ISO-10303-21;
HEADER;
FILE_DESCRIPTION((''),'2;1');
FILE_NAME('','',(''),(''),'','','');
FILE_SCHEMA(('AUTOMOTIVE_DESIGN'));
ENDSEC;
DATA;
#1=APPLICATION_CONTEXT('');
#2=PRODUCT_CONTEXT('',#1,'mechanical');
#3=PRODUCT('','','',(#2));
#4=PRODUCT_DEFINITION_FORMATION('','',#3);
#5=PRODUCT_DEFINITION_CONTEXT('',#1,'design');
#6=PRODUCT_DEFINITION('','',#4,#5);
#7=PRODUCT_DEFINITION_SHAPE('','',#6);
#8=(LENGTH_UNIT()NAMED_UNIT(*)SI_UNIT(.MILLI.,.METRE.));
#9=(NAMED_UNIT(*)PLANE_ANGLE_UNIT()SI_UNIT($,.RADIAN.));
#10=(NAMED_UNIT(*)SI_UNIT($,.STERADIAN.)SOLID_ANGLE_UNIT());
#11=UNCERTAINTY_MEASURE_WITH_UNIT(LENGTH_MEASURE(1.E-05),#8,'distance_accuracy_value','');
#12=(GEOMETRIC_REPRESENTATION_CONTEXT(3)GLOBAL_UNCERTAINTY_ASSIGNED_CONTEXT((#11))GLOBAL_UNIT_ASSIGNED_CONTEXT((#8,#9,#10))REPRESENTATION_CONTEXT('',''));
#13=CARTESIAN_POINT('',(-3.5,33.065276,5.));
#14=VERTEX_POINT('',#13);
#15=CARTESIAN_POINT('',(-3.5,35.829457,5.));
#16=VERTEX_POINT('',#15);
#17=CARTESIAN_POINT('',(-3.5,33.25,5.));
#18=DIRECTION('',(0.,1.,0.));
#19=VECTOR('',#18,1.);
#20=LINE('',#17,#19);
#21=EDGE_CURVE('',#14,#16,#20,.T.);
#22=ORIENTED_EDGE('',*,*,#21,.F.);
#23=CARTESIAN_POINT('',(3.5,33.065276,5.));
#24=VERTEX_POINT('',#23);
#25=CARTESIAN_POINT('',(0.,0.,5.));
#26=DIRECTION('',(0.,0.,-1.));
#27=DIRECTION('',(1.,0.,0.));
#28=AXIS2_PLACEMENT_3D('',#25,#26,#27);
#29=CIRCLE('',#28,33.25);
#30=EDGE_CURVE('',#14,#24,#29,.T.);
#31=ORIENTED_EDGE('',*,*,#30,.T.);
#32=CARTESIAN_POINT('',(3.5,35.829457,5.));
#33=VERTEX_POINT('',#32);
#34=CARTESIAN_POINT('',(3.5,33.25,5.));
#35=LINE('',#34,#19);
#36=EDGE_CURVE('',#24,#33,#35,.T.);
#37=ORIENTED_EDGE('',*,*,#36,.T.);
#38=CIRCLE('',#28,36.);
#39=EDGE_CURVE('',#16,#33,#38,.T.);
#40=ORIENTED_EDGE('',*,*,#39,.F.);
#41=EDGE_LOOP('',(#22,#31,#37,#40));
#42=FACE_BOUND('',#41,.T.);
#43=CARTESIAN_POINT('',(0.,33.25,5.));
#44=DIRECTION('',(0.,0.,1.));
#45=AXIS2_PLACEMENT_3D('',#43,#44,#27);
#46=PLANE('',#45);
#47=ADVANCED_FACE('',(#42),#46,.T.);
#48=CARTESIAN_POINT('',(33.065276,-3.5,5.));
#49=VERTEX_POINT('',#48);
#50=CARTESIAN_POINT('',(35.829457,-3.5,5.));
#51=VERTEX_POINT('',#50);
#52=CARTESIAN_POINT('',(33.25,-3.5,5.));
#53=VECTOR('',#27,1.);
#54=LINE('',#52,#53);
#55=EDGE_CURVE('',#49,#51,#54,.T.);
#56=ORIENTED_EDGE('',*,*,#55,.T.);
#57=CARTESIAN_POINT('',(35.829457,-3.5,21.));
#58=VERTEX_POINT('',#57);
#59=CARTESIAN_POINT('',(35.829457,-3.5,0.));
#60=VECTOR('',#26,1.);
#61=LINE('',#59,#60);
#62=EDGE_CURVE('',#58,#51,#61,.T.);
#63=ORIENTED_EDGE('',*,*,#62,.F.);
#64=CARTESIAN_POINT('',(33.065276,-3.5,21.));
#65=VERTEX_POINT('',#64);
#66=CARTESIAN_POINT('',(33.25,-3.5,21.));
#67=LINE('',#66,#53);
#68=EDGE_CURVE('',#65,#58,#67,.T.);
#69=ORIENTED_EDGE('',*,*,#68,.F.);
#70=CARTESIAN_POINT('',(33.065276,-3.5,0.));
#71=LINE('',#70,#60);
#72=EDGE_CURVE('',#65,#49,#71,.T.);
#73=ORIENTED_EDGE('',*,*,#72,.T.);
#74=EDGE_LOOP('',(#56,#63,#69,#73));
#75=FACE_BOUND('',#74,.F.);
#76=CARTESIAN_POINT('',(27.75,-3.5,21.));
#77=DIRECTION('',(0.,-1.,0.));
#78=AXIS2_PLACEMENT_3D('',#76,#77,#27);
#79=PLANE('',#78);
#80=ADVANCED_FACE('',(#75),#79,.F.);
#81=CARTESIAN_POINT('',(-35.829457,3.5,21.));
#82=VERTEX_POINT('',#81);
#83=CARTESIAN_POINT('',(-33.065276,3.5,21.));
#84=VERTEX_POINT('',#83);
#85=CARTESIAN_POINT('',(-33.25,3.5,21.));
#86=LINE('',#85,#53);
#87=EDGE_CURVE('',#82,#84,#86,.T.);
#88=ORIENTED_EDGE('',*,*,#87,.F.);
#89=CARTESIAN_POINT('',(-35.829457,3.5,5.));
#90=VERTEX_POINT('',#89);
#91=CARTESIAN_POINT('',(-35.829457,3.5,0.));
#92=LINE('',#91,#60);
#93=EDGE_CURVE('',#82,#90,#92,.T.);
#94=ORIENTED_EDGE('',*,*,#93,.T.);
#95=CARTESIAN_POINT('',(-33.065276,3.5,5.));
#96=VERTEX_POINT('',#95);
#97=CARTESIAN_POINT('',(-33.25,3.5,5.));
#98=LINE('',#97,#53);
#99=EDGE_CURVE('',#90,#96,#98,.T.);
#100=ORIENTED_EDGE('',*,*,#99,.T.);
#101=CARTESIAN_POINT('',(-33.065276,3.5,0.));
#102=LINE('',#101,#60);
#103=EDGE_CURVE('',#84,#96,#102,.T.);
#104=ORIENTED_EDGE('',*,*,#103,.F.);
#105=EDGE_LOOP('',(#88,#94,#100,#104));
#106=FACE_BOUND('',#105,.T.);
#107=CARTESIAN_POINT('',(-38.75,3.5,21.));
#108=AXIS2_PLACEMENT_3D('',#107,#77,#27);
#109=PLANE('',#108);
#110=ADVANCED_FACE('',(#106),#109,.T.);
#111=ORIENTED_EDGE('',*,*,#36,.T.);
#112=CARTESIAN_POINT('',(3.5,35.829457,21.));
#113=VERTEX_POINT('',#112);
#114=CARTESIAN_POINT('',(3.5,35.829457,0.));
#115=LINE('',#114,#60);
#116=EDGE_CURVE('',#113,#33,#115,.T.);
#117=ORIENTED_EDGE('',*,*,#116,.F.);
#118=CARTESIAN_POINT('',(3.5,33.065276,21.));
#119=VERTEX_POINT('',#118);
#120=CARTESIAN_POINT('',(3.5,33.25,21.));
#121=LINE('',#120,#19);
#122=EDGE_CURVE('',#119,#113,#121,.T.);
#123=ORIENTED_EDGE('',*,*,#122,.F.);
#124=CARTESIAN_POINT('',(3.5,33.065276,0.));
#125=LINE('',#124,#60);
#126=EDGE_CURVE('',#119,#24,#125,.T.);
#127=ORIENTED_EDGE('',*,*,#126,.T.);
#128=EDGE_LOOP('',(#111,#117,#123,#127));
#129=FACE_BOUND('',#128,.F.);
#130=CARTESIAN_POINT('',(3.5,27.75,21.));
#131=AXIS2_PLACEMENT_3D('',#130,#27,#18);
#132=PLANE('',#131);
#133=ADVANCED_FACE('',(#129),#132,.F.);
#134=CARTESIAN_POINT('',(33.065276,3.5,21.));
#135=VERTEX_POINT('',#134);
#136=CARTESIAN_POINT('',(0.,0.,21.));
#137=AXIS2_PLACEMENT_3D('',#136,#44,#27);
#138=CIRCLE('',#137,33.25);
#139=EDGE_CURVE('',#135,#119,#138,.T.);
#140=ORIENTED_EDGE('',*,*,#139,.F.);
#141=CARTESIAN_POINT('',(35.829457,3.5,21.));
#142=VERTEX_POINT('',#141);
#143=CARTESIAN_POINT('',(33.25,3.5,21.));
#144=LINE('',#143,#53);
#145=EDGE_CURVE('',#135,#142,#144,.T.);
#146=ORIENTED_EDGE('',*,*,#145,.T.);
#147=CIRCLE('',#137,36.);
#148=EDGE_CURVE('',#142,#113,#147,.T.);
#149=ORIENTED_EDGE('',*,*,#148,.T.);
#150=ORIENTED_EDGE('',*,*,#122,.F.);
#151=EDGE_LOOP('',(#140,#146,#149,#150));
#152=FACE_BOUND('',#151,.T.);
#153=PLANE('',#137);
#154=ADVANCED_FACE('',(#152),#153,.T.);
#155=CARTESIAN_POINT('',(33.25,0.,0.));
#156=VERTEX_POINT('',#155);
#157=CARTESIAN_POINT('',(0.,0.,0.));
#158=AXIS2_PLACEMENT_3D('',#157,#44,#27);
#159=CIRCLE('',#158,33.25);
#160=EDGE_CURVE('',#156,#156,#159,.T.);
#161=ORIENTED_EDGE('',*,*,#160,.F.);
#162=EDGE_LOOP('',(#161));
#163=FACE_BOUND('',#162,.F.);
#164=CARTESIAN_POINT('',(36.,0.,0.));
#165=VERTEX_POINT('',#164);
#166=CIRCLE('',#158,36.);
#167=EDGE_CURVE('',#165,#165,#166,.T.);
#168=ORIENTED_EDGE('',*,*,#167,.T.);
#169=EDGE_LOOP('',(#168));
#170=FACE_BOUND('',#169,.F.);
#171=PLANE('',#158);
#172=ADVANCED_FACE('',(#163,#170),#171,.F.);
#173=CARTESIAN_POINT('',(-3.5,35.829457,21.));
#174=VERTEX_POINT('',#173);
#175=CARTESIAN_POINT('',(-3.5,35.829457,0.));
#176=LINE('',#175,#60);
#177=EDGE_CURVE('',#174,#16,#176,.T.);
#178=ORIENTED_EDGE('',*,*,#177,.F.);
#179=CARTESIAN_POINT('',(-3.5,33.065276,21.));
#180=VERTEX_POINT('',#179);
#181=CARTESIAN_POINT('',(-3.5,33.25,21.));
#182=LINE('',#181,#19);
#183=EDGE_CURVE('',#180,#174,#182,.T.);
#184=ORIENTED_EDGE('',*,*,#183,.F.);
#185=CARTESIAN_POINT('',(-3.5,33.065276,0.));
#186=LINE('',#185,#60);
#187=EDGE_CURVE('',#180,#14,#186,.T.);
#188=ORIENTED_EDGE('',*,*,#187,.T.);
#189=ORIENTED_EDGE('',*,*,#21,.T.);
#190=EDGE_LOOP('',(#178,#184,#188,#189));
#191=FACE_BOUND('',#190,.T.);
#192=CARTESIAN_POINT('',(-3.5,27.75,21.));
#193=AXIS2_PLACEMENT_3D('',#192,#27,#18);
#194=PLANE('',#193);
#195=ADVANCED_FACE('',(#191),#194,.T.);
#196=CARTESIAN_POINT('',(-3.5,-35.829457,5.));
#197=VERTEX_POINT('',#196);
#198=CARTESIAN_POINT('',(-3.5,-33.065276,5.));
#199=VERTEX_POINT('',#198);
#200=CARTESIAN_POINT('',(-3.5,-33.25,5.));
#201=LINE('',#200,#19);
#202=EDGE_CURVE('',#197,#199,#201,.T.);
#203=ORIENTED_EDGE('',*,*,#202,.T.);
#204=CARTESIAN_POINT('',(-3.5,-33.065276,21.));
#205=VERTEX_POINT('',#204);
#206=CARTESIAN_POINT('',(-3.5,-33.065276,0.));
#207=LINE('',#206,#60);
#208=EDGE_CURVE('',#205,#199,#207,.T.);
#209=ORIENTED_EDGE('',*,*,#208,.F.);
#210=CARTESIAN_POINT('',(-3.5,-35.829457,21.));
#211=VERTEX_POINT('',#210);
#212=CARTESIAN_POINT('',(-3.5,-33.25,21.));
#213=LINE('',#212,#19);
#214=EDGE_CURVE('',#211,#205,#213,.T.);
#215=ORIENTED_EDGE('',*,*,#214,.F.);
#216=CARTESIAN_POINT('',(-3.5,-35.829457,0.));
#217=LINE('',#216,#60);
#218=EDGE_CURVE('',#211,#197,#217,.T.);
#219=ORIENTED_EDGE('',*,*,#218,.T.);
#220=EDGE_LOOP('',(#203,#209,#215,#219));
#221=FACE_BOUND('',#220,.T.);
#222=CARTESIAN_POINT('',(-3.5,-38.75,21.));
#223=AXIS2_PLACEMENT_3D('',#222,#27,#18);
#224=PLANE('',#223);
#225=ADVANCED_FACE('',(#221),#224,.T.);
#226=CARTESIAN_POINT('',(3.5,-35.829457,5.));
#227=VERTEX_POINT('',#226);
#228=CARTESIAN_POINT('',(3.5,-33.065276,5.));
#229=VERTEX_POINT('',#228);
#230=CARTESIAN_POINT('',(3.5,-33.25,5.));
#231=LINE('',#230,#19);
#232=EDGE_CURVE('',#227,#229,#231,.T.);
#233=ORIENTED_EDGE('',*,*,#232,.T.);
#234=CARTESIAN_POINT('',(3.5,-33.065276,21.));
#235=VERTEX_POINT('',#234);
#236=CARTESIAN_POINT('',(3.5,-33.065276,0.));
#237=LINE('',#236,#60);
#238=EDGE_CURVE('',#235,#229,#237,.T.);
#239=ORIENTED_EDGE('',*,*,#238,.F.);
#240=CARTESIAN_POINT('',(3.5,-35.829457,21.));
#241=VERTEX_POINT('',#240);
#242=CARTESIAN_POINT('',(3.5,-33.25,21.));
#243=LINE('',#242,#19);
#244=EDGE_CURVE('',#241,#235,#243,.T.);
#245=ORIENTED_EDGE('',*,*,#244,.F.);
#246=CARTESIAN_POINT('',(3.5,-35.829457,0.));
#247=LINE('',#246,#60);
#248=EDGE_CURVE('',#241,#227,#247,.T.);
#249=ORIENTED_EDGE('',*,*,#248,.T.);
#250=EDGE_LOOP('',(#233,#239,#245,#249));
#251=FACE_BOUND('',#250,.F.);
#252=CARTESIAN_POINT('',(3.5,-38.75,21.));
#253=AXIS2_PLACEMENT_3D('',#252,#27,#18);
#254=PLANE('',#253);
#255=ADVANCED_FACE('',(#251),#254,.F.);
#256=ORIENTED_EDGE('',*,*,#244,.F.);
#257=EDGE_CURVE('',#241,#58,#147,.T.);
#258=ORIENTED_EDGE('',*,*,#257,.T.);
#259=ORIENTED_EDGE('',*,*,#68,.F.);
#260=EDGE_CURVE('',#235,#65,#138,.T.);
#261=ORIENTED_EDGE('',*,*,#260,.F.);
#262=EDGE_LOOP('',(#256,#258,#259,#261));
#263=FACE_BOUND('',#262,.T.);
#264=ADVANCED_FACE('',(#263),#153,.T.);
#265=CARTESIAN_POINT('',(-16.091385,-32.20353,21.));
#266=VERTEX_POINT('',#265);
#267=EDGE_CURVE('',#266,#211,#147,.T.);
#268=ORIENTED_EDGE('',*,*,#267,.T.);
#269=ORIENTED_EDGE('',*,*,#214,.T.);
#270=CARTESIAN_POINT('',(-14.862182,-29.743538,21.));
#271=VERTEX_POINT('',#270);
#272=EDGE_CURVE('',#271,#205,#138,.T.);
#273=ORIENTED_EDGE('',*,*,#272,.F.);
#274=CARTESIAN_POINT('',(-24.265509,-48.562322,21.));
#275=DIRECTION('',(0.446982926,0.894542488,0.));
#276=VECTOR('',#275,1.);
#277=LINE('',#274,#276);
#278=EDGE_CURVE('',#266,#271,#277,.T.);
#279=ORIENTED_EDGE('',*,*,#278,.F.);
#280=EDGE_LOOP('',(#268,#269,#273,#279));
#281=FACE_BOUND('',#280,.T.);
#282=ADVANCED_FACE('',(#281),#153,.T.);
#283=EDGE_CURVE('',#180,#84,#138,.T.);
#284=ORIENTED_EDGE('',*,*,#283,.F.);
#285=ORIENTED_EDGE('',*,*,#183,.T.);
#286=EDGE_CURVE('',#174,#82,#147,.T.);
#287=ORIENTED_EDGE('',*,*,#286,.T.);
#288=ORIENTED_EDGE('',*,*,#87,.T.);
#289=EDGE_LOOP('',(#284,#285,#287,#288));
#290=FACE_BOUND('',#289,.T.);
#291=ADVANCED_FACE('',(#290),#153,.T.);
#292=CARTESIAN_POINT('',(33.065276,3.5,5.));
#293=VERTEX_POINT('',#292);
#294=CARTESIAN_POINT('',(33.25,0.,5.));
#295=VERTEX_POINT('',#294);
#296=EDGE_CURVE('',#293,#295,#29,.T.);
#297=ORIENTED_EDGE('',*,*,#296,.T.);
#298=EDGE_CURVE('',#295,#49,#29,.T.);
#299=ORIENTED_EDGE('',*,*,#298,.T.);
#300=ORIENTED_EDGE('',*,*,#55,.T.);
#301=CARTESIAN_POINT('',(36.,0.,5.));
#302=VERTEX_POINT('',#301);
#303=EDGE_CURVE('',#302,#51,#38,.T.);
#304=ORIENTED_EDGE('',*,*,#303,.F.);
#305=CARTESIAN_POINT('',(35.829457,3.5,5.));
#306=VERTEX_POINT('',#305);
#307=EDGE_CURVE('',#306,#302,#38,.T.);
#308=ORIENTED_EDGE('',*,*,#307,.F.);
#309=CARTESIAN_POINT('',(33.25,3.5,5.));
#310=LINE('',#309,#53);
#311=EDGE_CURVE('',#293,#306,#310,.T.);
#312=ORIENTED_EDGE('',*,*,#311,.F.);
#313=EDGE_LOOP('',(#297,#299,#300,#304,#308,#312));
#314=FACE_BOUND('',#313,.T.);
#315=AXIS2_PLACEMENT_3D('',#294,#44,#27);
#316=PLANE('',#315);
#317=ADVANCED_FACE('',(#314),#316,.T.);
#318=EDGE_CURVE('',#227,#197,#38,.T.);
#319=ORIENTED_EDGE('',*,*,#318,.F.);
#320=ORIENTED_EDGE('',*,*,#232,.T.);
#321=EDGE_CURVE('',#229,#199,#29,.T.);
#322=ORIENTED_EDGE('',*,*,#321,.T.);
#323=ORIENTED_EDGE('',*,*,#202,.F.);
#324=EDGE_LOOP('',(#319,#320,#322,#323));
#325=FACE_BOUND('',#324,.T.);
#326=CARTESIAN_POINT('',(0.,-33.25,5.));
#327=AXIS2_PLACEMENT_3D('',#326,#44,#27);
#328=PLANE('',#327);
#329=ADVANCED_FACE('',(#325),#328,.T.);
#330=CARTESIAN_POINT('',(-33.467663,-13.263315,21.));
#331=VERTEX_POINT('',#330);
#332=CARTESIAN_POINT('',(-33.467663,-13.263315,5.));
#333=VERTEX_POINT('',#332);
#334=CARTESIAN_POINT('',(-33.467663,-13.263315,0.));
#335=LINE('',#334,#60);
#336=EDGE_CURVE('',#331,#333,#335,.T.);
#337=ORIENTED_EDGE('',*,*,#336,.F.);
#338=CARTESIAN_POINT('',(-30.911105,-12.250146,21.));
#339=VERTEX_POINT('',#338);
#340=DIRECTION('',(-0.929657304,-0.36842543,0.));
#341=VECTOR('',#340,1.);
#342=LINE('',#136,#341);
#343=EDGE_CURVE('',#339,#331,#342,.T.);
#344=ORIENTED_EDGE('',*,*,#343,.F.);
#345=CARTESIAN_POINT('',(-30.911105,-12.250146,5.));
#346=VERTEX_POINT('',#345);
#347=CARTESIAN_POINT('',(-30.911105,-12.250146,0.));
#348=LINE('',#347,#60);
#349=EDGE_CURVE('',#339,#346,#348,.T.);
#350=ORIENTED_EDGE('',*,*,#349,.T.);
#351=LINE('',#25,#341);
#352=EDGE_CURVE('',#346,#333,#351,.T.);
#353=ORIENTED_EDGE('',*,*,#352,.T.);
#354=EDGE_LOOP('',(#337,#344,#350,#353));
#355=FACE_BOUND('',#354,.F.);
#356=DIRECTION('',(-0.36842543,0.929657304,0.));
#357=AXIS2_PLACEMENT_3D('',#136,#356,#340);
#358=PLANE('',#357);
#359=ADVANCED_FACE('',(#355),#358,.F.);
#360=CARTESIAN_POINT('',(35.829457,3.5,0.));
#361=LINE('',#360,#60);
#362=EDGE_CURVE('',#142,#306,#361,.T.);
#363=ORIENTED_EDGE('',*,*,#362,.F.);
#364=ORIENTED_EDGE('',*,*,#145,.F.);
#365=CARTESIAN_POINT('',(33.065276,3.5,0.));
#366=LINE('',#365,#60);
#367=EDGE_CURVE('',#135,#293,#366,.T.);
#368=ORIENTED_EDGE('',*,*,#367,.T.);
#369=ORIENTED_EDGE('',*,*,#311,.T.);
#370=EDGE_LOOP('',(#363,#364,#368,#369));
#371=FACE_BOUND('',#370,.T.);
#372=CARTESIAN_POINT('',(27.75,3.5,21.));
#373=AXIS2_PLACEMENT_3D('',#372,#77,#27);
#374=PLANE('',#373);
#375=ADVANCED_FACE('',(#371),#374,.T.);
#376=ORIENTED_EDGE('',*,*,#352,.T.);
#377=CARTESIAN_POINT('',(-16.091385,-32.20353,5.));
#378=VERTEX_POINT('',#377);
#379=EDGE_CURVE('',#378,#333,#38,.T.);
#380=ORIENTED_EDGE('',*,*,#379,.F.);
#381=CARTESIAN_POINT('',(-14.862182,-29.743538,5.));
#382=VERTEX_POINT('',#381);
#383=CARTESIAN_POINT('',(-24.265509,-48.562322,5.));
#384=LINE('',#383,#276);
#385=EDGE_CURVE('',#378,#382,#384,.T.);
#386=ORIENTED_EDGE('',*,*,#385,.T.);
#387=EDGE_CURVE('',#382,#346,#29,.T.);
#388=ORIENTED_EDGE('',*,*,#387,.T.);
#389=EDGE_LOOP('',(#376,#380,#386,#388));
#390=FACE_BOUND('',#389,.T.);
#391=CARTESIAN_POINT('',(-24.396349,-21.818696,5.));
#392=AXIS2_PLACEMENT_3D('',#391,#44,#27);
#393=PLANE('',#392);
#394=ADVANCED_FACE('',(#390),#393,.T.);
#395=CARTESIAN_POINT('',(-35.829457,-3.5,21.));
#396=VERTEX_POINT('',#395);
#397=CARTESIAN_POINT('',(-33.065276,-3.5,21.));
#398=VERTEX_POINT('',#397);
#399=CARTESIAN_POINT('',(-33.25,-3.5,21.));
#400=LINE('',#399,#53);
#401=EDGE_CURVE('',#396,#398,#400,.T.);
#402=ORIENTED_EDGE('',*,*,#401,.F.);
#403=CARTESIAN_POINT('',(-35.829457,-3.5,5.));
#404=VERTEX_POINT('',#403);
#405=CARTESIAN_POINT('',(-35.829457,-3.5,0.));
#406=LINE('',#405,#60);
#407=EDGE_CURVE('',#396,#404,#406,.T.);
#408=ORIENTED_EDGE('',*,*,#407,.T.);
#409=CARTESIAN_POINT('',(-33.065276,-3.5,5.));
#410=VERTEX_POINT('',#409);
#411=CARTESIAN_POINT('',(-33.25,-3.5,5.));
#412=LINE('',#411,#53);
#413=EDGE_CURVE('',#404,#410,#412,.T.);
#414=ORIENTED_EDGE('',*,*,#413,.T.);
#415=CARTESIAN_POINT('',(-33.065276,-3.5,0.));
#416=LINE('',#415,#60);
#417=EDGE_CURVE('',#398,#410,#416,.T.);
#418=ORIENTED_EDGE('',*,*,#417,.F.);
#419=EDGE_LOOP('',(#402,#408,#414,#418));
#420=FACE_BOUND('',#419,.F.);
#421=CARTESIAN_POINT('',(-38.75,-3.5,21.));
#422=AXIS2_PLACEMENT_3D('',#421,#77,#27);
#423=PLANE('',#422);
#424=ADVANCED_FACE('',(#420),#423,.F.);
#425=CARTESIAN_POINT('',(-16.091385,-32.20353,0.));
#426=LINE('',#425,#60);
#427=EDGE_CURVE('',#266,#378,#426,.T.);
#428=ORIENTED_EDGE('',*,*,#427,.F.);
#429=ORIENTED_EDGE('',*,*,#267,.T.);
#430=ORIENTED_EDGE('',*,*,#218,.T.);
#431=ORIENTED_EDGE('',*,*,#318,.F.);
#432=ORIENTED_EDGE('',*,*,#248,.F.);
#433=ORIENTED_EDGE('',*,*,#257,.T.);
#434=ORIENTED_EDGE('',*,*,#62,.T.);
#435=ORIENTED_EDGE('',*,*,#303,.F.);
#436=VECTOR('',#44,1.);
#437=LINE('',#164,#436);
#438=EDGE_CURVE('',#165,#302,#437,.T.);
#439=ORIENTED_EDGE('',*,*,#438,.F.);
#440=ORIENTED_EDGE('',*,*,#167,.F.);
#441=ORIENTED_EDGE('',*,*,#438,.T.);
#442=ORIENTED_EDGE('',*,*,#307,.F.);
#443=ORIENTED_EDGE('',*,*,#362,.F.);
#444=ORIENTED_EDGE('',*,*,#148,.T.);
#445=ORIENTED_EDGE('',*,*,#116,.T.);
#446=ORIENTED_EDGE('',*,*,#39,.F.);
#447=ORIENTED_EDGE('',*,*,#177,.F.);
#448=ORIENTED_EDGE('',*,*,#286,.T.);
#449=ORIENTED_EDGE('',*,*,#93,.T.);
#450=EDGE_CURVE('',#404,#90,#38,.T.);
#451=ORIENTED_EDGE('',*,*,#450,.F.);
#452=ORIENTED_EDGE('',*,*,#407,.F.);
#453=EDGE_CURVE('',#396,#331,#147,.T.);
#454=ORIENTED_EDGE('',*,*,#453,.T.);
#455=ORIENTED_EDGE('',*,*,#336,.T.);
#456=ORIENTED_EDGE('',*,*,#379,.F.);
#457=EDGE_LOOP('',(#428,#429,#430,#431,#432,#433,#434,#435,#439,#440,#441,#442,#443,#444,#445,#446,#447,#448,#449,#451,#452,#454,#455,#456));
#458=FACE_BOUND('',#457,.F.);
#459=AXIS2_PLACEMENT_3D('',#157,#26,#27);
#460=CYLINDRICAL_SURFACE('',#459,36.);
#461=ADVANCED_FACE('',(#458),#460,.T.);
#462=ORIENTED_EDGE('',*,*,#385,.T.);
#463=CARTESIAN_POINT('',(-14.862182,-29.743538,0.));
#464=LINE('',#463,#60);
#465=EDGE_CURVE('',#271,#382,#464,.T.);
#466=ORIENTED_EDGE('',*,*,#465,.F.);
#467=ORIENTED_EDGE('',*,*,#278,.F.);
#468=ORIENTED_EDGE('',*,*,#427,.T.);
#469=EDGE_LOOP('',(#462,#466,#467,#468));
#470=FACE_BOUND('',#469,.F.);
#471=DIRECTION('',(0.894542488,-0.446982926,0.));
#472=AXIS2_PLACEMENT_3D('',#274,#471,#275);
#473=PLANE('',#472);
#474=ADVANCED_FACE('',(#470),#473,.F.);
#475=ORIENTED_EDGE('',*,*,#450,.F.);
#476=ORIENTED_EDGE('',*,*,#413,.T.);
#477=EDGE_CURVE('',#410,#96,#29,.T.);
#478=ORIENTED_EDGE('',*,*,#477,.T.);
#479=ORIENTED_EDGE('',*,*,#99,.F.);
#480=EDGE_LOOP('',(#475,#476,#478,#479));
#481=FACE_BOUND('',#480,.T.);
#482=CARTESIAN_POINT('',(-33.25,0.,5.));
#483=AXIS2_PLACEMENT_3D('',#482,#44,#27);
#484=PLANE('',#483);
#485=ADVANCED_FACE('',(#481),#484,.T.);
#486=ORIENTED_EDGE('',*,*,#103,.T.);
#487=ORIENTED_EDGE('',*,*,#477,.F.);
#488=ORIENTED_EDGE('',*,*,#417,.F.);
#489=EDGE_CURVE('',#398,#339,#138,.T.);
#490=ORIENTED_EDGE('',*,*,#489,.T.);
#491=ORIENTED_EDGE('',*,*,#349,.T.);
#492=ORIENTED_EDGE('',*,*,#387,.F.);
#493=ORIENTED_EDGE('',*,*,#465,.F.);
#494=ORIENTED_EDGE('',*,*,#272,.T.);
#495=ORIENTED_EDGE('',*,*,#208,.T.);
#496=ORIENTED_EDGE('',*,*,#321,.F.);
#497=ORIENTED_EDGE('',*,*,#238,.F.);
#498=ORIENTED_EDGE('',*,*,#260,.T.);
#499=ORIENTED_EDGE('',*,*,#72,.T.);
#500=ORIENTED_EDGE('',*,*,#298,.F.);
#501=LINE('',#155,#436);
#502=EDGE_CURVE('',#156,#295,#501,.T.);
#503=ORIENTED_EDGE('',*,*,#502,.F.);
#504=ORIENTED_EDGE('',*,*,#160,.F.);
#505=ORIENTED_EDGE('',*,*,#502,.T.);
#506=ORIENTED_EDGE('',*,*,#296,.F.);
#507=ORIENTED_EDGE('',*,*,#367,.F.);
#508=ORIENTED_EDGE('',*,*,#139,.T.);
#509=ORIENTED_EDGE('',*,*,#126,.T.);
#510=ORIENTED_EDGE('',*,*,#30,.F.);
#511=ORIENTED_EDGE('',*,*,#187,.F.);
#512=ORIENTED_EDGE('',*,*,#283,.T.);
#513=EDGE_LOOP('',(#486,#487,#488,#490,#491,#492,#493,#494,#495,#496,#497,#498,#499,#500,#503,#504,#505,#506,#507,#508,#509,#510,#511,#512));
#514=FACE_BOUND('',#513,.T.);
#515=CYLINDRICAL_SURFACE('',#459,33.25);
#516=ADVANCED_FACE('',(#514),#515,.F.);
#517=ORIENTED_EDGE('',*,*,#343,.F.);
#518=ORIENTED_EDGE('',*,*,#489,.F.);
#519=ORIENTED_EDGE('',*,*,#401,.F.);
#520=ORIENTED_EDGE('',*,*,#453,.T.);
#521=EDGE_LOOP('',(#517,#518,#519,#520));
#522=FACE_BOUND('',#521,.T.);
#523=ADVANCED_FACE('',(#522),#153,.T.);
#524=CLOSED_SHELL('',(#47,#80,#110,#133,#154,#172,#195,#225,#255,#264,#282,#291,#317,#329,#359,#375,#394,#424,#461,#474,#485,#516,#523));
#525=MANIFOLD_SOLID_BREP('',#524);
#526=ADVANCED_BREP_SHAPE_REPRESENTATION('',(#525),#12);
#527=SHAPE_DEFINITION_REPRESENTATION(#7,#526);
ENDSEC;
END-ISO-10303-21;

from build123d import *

# Parameters (mm, degrees)
F0_R     = 36
F0_R_2   = 33.25
F1_DEPTH = 21
F2_W     = 7
F2_H     = 11
F2_W_2   = 11
F2_H_2   = 7
F3_DEPTH = 16


with BuildPart() as f1:
    # F0 (on Top) → F1 (new body)
    with BuildSketch(Plane.XY):
        Circle(F0_R)
        Circle(F0_R_2, mode=Mode.SUBTRACT)
    extrude(amount=F1_DEPTH)

    # F2 (on face) → F3 (cut)
    with BuildSketch(Plane.XY.offset(21)):
        with Locations((0, 33.25)):
            Rectangle(F2_W, F2_H)
        with Locations((-33.25, 0)):
            Rectangle(F2_W_2, F2_H_2)
        with Locations((0, -33.25)):
            Rectangle(F2_W, F2_H)
        with Locations((33.25, 0)):
            Rectangle(F2_W_2, F2_H_2)
        Polygon((-24.265509, -48.562322), (0, 0), (-52.630056, -20.857418), align=None)
    extrude(amount=-F3_DEPTH, mode=Mode.SUBTRACT)


solid = f1.part
